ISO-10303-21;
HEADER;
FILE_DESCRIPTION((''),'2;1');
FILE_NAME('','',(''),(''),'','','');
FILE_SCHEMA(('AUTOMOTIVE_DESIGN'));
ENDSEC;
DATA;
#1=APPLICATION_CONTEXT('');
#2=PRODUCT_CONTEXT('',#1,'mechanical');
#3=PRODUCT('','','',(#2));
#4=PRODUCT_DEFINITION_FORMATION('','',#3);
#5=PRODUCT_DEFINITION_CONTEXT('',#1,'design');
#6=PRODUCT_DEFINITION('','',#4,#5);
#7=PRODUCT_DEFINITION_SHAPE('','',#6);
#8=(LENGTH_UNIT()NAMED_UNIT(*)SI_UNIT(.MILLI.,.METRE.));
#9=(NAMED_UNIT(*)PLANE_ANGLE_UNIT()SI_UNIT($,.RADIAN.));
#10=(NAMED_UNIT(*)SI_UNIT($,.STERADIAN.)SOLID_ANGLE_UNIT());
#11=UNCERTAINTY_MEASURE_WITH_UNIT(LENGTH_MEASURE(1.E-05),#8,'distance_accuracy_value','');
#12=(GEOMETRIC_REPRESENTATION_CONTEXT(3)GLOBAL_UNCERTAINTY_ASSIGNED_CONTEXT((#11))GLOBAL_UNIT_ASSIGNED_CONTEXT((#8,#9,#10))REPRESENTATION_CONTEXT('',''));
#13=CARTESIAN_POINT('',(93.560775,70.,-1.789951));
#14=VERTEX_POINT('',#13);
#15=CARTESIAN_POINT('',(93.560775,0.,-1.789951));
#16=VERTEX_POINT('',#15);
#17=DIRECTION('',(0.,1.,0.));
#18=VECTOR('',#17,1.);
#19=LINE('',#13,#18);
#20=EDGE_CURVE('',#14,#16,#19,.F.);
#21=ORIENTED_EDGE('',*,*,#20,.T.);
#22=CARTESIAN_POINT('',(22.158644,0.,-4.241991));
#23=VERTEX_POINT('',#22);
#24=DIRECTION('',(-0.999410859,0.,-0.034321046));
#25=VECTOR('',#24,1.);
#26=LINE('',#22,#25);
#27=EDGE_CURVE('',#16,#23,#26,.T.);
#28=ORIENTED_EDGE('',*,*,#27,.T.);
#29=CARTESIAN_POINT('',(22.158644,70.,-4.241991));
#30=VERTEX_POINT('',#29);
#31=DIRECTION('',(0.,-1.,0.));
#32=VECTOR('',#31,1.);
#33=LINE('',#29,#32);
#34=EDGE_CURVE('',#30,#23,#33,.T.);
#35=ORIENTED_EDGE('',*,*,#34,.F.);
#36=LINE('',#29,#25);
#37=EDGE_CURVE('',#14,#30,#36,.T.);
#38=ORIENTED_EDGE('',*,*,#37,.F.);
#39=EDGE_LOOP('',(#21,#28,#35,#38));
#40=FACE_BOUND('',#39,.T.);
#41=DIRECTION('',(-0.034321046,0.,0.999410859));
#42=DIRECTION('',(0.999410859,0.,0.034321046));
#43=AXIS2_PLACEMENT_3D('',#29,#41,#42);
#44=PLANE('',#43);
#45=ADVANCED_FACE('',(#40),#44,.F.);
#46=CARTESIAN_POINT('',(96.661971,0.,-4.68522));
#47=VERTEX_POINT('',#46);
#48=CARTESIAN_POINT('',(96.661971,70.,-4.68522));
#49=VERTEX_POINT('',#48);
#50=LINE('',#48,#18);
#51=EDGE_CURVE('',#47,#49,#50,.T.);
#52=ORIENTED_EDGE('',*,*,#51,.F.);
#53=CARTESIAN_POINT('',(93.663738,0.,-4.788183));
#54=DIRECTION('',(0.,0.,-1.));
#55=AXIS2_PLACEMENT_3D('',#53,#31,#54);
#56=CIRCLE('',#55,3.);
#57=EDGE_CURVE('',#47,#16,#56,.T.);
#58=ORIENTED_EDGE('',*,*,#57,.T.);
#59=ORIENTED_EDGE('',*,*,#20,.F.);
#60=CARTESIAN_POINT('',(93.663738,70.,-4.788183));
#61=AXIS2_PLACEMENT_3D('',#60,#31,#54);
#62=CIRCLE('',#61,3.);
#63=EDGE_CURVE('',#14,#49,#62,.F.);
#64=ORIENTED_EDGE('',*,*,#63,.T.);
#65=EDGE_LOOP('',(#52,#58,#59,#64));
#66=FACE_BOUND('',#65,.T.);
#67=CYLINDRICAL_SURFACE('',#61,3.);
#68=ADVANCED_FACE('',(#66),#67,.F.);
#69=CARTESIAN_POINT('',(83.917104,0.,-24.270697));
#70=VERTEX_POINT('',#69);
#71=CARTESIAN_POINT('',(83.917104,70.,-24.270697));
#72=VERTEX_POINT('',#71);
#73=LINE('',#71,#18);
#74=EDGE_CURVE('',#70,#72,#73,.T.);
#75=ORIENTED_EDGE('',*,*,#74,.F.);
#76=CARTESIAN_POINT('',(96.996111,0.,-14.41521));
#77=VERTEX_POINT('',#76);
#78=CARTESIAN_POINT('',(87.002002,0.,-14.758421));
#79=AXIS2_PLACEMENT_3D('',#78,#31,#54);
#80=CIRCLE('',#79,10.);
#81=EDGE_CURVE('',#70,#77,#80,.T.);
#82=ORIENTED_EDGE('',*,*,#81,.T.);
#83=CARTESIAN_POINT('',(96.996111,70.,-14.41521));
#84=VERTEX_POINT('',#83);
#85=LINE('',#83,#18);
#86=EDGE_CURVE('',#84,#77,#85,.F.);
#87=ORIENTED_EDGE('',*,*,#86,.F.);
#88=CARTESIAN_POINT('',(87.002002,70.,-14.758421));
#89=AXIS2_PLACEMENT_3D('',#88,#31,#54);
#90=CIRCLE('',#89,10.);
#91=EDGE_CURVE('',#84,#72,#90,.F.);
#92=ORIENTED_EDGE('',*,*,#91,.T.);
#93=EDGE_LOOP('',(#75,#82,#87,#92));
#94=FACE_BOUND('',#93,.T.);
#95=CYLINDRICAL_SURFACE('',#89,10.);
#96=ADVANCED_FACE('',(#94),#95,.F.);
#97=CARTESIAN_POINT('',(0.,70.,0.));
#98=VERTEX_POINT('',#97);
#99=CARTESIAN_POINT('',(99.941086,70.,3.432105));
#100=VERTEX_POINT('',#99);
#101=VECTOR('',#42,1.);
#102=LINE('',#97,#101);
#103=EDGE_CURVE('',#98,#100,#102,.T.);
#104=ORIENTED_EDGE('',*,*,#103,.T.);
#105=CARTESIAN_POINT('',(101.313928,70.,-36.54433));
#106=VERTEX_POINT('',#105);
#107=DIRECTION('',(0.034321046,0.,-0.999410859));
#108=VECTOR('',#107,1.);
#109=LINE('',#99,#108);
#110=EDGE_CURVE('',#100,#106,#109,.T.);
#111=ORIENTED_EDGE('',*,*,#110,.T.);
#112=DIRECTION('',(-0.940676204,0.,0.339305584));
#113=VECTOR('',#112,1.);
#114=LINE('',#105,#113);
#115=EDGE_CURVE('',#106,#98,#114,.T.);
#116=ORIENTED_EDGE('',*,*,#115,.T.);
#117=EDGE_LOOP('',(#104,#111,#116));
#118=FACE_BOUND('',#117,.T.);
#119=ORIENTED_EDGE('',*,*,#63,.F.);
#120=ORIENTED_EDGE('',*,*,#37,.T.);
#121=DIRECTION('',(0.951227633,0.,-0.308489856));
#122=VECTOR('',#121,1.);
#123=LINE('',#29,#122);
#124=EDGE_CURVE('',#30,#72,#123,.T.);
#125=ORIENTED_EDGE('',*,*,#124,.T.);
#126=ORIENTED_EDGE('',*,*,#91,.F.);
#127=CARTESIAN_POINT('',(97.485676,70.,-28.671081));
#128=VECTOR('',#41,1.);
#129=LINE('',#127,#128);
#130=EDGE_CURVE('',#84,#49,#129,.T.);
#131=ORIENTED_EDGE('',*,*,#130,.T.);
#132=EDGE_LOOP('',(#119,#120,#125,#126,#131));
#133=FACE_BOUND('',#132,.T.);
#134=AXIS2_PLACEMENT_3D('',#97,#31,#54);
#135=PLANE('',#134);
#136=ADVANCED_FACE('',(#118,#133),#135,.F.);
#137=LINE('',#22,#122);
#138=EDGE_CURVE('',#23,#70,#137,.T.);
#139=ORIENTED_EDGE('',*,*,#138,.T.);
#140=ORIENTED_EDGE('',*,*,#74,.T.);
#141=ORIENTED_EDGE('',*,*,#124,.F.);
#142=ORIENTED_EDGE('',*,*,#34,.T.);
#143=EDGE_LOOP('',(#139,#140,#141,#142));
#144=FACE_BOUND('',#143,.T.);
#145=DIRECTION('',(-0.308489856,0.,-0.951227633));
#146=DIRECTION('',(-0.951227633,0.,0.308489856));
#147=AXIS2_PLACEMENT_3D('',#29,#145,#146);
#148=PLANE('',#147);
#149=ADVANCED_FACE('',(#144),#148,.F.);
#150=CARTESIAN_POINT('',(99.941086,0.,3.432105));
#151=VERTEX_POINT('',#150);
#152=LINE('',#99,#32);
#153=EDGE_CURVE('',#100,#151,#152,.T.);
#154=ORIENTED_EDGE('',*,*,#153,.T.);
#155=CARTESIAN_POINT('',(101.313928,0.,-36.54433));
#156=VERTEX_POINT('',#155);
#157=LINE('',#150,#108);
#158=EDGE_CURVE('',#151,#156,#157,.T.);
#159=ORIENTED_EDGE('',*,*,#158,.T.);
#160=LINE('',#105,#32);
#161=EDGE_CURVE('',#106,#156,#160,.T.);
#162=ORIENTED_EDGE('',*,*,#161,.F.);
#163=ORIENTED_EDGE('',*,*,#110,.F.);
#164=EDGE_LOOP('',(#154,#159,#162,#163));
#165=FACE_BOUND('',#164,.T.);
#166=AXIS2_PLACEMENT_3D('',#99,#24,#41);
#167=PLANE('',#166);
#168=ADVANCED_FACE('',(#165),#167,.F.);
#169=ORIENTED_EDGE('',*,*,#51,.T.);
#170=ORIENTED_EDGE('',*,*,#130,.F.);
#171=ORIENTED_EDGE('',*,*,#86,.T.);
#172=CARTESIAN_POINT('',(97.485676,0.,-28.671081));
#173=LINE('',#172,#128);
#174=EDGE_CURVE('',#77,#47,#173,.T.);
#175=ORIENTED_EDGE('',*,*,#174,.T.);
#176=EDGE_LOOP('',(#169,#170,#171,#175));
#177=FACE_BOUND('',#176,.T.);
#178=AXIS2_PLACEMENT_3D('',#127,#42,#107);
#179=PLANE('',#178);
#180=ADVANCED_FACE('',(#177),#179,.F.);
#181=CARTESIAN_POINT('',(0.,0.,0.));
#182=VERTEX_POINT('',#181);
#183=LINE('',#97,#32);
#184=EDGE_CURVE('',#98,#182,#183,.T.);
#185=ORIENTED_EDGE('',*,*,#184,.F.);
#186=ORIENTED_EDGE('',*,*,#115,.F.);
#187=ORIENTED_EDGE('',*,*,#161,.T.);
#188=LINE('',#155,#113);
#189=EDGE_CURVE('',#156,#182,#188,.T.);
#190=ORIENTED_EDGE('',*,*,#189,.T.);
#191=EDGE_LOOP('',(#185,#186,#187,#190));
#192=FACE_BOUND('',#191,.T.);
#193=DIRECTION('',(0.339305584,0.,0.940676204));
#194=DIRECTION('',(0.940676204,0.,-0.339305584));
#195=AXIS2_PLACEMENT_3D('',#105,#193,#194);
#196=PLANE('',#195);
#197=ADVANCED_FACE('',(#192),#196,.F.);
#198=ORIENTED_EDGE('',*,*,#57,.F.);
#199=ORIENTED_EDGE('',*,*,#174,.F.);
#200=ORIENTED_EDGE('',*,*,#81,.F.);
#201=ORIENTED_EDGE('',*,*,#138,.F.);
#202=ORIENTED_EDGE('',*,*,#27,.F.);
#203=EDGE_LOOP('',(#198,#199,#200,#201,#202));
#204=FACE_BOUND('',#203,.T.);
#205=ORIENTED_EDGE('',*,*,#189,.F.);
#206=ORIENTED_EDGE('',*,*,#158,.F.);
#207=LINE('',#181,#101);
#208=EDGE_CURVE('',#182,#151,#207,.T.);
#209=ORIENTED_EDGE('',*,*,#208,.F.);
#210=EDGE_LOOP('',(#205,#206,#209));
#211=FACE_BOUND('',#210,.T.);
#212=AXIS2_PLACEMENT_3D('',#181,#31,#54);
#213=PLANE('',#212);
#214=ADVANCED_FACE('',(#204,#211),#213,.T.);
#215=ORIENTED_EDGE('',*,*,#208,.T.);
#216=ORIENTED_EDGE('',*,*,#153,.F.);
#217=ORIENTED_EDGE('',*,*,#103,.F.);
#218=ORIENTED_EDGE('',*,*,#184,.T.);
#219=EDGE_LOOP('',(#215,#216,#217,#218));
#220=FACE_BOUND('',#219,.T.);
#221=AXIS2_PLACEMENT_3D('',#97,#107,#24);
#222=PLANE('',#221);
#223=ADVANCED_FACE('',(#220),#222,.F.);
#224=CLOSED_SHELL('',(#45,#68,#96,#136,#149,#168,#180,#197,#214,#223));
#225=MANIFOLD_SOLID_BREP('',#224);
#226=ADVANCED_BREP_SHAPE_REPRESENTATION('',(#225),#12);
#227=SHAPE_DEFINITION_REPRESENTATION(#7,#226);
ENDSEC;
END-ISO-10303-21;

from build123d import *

# Parameters (mm, degrees)
EXTRUDE_2_DEPTH     = 70
CUT_EXTRUDE_1_DEPTH = 129.452325787
FILLET_1_R          = 10
FILLET_2_R          = 3


with BuildPart() as part:
    # 草图5 → 凸台-拉伸2 (new body)
    with BuildSketch(Plane(origin=(0, 0, 0), x_dir=(1, 0, 0), z_dir=(0, 1, 0))):
        Polygon((0, 0), (99.941085936, -3.432104596), (101.313927774, 36.544329779), align=None)
    extrude(amount=EXTRUDE_2_DEPTH)

    # 草图8 → 切除-拉伸1 (cut, through all)
    with BuildSketch(Plane.XZ):
        Polygon((97.48567579, -28.67108094), (96.55900755, -1.686987737), (22.158644136, -4.241991286), align=None)
    extrude(amount=-CUT_EXTRUDE_1_DEPTH, mode=Mode.SUBTRACT)

    # 圆角1
    fillet_1_edges = [part.edges().sort_by_distance(p)[0] for p in [
        (97.48567579, 35, -28.67108094),
    ]]
    fillet(fillet_1_edges, radius=FILLET_1_R)

    # 圆角2
    fillet_2_edges = [part.edges().sort_by_distance(p)[0] for p in [
        (96.55900755, 35, -1.686987737),
    ]]
    fillet(fillet_2_edges, radius=FILLET_2_R)


solid = part.part
